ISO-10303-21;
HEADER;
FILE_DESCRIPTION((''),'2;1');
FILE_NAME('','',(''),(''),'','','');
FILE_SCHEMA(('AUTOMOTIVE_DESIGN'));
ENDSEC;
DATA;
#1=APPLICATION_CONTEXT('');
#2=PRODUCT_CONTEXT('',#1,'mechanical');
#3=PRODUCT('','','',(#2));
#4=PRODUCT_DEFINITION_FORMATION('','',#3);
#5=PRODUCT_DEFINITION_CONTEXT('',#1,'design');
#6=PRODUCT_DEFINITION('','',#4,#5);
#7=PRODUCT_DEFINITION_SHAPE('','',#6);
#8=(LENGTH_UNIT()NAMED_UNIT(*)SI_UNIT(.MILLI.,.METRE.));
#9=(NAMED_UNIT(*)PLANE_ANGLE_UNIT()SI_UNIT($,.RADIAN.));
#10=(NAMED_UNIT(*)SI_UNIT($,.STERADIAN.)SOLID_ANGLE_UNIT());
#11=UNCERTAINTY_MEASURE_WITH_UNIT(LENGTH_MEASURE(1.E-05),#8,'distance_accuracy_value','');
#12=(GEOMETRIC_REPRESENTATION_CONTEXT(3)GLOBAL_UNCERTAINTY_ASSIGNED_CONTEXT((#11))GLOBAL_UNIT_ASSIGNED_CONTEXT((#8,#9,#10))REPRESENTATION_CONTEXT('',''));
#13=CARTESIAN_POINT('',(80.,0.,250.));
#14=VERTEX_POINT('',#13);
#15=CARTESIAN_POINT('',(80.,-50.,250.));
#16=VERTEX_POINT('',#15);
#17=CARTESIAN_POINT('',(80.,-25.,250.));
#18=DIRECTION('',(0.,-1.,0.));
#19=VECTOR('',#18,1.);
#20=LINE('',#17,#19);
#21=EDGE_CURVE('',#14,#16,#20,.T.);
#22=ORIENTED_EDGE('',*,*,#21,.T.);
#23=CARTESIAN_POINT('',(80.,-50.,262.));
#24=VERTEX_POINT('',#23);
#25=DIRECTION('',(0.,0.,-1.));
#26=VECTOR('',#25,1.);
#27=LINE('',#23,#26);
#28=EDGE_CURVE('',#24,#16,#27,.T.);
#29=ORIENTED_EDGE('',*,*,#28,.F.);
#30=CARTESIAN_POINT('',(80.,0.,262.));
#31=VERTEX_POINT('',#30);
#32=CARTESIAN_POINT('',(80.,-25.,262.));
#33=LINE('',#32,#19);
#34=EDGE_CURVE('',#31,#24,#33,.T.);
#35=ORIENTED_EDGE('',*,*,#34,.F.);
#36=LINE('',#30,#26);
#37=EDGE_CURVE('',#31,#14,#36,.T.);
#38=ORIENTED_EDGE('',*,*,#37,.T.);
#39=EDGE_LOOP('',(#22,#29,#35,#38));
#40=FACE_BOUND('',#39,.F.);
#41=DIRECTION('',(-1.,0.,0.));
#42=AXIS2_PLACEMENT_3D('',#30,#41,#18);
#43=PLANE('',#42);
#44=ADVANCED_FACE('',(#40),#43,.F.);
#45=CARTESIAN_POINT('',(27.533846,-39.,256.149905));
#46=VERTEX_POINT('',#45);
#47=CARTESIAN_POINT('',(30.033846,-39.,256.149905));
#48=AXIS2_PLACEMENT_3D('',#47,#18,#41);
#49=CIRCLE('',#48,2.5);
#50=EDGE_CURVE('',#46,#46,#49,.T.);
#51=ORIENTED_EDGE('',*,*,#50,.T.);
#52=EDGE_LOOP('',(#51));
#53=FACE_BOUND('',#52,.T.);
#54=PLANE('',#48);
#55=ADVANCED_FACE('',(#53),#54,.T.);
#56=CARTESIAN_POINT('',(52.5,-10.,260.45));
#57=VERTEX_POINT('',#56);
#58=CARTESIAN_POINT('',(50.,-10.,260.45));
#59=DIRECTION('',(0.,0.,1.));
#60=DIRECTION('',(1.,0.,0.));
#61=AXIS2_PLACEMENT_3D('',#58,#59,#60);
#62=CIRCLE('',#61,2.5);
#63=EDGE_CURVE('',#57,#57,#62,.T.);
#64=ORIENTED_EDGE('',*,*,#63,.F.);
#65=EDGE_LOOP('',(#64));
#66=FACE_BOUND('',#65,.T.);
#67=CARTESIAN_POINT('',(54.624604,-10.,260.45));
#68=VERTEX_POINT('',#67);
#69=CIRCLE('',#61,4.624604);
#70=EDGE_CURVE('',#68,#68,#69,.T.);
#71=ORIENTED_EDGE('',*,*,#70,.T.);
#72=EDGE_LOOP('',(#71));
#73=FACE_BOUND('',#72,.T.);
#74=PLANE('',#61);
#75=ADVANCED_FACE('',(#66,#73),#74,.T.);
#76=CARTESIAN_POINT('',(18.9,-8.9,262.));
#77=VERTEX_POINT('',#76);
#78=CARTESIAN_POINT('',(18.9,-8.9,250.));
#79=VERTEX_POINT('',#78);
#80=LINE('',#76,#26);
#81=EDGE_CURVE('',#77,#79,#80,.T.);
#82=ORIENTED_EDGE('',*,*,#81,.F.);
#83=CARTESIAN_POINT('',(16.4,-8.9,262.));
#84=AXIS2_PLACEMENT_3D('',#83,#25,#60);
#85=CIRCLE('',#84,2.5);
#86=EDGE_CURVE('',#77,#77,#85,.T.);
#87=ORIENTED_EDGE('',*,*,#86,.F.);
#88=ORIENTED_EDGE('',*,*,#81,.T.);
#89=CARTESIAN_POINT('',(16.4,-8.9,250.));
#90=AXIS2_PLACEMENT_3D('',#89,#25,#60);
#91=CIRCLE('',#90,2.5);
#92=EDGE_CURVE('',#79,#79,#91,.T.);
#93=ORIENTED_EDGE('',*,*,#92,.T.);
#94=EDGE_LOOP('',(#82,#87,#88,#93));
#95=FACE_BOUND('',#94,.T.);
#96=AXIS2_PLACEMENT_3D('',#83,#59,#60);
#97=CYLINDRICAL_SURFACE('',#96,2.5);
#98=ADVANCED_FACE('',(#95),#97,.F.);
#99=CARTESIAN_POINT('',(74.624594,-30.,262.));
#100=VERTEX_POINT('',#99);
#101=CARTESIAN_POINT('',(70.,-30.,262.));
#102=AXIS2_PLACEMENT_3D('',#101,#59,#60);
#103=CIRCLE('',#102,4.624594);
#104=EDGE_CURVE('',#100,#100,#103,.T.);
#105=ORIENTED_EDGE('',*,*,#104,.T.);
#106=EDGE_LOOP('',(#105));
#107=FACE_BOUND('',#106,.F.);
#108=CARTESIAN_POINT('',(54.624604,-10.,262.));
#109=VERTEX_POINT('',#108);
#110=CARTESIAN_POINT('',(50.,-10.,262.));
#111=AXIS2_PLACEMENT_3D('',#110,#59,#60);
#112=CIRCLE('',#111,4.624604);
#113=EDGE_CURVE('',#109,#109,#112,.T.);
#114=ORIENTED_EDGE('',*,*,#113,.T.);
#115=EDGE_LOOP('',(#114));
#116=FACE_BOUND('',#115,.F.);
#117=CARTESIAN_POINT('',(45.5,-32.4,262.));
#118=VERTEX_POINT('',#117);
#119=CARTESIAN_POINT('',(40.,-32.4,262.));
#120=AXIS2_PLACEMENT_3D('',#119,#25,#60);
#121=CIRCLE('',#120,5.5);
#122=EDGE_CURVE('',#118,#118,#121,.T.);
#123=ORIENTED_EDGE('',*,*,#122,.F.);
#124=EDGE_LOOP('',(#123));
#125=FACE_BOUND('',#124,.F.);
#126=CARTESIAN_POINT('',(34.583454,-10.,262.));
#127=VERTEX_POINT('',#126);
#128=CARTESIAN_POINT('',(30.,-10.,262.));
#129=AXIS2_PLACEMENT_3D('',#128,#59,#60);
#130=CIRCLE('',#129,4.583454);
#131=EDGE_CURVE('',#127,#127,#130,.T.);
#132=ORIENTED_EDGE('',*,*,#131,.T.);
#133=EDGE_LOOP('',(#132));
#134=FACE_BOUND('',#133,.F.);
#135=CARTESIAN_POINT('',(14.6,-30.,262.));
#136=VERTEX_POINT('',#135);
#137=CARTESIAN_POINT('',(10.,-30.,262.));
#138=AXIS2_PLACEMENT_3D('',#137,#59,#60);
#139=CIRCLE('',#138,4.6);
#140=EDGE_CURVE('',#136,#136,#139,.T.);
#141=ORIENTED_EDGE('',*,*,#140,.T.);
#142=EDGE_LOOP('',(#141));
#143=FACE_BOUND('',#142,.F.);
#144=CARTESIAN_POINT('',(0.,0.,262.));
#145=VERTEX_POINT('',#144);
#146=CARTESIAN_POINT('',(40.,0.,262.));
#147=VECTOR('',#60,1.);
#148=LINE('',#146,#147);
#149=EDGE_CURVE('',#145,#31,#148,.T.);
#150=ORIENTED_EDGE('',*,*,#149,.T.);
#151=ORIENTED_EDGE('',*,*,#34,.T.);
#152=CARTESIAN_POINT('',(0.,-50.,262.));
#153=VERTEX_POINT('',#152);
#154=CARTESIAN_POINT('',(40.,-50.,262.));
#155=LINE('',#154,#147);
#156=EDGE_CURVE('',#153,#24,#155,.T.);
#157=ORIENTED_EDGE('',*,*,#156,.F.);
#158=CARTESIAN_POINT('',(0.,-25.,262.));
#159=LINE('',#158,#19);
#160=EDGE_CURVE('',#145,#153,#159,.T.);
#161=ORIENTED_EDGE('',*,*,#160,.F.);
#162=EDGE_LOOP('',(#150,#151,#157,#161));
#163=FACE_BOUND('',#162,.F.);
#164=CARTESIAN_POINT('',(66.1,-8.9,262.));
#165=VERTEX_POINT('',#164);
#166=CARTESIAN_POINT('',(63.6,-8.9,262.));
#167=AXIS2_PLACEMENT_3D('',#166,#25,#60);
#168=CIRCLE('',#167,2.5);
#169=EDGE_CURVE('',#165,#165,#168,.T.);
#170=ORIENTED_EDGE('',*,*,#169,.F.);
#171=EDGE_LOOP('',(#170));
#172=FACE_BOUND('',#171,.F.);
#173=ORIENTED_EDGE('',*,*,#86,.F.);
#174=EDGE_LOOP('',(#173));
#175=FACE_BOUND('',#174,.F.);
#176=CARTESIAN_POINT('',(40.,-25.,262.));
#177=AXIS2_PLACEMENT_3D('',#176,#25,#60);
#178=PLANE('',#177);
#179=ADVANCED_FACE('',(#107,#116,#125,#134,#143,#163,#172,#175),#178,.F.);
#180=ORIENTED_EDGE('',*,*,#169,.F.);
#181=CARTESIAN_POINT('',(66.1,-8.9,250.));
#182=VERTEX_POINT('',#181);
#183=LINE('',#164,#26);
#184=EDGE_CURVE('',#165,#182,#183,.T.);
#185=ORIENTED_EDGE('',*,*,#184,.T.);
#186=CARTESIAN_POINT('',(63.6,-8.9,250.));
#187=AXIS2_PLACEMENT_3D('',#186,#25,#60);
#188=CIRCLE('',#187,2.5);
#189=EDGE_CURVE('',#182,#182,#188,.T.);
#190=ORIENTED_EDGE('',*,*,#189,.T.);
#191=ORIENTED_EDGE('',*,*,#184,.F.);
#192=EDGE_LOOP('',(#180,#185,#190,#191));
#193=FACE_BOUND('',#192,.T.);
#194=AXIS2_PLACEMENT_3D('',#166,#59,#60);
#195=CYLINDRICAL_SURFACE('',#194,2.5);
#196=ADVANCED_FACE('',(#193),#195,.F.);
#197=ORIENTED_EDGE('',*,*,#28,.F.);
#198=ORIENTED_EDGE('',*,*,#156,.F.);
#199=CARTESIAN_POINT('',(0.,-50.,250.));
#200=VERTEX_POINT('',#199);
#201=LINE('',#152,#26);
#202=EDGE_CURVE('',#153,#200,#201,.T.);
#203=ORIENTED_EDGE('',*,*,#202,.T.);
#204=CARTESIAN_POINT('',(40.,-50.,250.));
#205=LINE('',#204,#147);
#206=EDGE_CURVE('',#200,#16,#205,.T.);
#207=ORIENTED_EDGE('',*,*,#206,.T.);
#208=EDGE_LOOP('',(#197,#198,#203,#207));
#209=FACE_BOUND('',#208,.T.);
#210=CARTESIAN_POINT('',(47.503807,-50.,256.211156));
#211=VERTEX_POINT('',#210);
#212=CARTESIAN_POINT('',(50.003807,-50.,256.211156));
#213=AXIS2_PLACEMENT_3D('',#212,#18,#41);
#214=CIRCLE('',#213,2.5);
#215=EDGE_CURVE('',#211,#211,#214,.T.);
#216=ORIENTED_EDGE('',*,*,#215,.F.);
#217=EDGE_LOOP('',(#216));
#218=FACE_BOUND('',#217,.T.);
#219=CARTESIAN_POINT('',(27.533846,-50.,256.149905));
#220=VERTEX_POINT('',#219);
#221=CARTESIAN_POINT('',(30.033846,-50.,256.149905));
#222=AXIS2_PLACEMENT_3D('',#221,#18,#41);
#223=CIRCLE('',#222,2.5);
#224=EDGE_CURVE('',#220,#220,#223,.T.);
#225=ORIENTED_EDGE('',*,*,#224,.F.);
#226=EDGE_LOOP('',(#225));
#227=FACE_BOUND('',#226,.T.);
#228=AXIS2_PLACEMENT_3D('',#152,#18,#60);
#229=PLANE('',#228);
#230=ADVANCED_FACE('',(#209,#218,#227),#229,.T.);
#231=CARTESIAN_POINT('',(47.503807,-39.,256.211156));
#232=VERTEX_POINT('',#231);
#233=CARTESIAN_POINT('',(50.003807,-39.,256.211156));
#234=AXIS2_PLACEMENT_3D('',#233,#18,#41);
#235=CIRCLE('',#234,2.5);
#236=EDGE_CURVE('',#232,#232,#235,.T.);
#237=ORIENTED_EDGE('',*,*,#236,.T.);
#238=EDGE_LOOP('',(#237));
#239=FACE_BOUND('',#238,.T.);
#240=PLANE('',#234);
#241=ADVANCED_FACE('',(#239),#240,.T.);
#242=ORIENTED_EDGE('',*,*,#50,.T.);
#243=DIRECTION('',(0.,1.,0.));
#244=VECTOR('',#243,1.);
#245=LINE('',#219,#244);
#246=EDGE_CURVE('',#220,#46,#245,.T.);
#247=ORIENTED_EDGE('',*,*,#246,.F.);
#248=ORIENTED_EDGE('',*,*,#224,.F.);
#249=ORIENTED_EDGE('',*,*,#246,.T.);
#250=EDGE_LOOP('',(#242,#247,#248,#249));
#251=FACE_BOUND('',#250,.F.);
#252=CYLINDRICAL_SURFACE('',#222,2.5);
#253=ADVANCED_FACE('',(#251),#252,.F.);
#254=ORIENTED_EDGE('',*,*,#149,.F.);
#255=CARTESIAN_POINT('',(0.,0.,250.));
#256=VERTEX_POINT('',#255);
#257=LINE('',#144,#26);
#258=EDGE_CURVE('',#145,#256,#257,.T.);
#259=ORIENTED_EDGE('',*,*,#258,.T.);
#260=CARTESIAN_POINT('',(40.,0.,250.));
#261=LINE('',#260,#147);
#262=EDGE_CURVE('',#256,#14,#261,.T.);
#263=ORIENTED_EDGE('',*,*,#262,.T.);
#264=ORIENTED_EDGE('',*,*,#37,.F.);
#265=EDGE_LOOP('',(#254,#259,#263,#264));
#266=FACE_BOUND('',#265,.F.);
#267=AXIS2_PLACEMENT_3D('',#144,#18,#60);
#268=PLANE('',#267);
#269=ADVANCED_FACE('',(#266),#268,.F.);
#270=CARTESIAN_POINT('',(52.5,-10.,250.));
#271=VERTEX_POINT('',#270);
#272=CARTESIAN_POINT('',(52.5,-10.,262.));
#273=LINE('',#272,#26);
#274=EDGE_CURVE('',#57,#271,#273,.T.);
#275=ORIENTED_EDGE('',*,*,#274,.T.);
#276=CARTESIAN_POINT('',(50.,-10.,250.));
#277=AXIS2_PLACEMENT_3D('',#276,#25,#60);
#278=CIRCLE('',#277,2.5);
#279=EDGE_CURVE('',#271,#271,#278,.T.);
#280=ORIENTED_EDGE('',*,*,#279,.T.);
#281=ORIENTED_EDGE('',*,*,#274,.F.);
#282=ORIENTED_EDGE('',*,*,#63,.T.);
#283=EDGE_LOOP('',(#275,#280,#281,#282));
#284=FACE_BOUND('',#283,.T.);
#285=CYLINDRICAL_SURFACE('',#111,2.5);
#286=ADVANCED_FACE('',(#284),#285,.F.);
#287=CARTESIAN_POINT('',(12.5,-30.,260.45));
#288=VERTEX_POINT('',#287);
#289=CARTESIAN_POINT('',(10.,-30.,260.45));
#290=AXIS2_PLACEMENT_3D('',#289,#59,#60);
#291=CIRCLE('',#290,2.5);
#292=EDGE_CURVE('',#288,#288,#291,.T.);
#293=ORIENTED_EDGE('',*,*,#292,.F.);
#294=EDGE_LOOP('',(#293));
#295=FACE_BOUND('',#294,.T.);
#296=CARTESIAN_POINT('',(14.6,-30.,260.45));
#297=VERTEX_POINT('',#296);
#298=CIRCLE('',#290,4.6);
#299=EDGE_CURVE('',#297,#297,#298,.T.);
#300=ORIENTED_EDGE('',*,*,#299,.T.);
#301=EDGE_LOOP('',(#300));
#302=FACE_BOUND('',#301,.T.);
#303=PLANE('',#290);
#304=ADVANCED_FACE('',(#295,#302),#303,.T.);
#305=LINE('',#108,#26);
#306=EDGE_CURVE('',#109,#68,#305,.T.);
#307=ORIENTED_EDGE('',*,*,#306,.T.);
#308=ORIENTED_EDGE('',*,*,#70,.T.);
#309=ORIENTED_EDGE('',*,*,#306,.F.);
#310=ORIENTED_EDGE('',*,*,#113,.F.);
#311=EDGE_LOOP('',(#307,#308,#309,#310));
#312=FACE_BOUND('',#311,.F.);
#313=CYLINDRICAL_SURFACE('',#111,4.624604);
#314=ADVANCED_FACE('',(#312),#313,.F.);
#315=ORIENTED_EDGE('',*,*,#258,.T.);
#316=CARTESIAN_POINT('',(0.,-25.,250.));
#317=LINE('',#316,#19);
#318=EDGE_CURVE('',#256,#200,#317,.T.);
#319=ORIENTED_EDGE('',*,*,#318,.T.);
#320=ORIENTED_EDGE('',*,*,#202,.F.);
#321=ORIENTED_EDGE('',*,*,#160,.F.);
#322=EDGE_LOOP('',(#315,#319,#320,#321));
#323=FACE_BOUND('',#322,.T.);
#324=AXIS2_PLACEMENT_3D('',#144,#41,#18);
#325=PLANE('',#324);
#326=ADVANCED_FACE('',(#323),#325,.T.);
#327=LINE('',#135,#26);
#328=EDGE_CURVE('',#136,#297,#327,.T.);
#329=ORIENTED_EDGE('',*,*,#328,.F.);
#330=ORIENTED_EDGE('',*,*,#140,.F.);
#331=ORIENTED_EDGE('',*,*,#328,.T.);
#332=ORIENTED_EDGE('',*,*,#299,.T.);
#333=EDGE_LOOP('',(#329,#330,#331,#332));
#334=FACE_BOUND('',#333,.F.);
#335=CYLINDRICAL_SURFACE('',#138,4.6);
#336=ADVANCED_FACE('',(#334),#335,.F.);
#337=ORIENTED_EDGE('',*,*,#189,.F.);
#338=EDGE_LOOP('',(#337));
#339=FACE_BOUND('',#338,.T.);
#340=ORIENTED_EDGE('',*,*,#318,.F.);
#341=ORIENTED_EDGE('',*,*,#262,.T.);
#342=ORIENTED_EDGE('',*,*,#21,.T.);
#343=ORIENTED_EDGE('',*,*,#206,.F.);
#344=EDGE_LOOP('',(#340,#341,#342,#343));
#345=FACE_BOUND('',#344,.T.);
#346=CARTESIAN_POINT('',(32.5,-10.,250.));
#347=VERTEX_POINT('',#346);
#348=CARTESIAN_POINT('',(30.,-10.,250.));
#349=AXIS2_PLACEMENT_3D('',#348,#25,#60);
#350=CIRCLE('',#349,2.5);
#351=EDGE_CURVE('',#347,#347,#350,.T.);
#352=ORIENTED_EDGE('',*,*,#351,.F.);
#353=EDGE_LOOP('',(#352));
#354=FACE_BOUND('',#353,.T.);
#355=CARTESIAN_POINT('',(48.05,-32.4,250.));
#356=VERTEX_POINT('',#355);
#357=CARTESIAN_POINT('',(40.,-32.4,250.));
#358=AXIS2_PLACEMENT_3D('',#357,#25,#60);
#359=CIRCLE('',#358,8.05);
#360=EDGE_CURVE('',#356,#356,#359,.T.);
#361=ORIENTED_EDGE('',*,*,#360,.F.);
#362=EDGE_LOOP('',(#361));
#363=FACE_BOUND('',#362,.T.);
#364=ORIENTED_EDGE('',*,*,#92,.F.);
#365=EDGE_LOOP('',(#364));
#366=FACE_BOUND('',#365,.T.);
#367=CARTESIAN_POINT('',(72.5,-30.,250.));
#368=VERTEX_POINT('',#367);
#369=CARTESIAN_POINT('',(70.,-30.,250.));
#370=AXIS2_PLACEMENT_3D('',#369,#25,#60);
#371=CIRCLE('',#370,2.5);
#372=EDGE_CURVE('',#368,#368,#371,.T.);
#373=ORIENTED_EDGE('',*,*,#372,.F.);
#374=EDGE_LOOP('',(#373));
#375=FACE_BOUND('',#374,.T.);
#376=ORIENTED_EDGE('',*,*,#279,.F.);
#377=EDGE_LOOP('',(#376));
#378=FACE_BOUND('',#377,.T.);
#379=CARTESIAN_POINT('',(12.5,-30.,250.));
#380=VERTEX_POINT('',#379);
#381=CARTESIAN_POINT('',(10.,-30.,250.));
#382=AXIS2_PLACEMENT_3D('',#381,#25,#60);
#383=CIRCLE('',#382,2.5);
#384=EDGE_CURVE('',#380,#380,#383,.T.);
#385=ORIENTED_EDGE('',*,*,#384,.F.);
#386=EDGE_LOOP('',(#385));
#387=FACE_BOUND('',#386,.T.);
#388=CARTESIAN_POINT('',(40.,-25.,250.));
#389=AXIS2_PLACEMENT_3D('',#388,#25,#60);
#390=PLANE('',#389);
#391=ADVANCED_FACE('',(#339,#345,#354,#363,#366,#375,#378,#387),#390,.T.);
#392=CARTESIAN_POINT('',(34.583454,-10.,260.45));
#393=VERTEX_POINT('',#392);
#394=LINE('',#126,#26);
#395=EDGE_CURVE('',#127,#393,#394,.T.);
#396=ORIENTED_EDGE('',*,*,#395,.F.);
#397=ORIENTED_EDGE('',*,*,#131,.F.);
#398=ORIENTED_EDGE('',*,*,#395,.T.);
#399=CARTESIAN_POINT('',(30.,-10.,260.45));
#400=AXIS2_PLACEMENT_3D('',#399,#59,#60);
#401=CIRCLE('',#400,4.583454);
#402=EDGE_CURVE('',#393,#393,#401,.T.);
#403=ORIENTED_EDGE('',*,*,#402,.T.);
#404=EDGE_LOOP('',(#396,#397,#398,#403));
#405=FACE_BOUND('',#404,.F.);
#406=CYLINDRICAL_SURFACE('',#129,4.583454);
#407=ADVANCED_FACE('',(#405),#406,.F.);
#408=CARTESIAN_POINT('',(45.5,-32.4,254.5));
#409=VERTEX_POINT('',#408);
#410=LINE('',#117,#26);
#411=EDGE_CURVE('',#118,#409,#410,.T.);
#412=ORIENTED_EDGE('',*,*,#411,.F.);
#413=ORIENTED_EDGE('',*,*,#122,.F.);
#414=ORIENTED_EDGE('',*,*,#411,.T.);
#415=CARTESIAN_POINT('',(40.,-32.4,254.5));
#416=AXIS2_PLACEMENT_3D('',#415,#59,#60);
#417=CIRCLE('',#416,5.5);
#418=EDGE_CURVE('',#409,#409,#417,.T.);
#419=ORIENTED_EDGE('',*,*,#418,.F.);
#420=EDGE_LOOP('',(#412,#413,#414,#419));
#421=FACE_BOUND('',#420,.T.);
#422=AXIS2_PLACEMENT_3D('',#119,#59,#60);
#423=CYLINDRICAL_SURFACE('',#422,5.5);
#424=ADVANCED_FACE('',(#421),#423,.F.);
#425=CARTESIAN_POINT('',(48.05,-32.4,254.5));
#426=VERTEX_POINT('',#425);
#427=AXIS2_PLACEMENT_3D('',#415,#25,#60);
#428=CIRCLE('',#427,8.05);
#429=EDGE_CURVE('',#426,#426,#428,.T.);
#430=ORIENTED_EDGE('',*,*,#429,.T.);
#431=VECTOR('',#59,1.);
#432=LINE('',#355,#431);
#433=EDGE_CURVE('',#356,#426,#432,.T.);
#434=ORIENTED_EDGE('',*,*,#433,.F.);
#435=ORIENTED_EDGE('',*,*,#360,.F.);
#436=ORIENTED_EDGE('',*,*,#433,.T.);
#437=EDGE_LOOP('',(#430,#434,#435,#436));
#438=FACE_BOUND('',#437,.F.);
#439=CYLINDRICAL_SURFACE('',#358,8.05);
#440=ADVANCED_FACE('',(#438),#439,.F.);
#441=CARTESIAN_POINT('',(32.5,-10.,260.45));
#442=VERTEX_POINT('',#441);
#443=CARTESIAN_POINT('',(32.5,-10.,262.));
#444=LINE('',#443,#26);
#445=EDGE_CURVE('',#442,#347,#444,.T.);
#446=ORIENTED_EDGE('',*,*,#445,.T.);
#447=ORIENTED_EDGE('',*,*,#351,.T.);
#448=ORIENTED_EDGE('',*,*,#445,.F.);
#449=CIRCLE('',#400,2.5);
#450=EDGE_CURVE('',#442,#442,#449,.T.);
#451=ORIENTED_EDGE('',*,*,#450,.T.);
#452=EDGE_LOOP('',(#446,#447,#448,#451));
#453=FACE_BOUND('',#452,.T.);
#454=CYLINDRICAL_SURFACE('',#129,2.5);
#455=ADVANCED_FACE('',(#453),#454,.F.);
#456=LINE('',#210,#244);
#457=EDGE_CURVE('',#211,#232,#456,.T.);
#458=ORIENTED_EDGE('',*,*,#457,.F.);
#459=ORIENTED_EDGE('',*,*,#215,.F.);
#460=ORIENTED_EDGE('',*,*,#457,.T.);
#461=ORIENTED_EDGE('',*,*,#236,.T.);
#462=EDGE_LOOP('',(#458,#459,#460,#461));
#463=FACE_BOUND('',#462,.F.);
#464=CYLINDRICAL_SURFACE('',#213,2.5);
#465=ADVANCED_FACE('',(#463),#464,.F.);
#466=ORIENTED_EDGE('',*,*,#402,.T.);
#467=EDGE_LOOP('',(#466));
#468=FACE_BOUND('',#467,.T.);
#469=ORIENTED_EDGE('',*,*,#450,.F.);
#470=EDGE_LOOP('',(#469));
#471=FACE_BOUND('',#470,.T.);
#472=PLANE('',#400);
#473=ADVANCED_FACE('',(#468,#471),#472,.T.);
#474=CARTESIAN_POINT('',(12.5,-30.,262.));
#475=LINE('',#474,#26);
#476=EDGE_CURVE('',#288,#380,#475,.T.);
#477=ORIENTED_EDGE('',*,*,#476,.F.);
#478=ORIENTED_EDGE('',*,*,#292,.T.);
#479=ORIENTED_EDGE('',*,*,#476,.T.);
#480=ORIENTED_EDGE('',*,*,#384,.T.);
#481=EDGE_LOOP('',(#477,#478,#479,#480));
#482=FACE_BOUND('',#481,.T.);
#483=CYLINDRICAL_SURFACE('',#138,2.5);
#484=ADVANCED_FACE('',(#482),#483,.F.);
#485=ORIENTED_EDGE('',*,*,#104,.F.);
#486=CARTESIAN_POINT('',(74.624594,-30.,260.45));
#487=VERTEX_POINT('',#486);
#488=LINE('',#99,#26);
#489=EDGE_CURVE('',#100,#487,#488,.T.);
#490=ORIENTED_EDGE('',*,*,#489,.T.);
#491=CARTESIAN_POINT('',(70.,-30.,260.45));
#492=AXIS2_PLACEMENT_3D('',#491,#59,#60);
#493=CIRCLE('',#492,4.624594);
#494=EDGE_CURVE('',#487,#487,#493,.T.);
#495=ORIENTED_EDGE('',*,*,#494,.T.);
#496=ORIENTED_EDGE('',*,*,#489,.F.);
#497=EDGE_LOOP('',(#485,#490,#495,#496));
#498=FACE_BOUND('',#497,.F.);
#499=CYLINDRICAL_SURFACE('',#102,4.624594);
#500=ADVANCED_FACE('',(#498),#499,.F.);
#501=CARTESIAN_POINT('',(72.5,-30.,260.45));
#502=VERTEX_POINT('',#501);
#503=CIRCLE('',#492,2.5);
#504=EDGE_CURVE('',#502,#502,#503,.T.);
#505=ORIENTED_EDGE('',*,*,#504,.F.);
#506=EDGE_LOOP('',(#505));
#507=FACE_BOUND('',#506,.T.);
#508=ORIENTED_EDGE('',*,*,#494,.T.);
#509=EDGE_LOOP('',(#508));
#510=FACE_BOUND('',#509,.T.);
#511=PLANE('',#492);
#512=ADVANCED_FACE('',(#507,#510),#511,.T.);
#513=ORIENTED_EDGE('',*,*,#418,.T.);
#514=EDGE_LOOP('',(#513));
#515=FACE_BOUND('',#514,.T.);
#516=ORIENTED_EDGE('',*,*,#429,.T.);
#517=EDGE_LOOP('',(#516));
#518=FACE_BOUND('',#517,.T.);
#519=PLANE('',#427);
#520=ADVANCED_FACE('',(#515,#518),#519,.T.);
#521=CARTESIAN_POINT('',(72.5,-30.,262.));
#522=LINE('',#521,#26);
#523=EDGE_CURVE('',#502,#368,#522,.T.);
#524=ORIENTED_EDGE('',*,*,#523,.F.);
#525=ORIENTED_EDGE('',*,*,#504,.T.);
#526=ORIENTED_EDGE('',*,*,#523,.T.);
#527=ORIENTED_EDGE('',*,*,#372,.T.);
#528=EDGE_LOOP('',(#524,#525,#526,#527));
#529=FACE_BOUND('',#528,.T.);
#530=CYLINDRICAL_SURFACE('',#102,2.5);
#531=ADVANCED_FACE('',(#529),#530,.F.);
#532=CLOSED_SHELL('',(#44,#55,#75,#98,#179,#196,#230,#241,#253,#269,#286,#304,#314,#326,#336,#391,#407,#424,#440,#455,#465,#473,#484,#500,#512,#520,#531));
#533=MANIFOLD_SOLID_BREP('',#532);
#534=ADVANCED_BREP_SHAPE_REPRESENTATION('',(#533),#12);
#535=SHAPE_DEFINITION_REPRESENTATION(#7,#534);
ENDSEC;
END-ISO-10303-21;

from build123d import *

# Parameters (mm, degrees)
SKETCH023_W     = 80
SKETCH023_H     = 50
SKETCH023_R     = 2.5
SKETCH023_R_2   = 5.5
PAD005_DEPTH    = 12
SKETCH024_R     = 2.5
POCKET015_DEPTH = 11
SKETCH025_R     = 8.05
POCKET016_DEPTH = 4.5
SKETCH026_R     = 4.6
SKETCH026_R_2   = 4.624594
SKETCH026_R_3   = 4.583454
SKETCH026_R_4   = 4.624604
POCKET017_DEPTH = 1.55


with BuildPart() as part:
    # Sketch023 → Pad005 (new body)
    with BuildSketch(Plane(origin=(0, 0, 262), x_dir=(1, 0, 0), z_dir=(0, 0, -1))):
        with Locations((40, 25)):
            Rectangle(SKETCH023_W, SKETCH023_H)
        with Locations((10, 30)):
            Circle(SKETCH023_R, mode=Mode.SUBTRACT)
        with Locations((30, 10)):
            Circle(SKETCH023_R, mode=Mode.SUBTRACT)
        with Locations((16.4, 8.9)):
            Circle(SKETCH023_R, mode=Mode.SUBTRACT)
        with Locations((50, 10)):
            Circle(SKETCH023_R, mode=Mode.SUBTRACT)
        with Locations((63.6, 8.9)):
            Circle(SKETCH023_R, mode=Mode.SUBTRACT)
        with Locations((70, 30)):
            Circle(SKETCH023_R, mode=Mode.SUBTRACT)
        with Locations((40, 32.4)):
            Circle(SKETCH023_R_2, mode=Mode.SUBTRACT)
    extrude(amount=PAD005_DEPTH)

    # Sketch024 → Pocket015 (cut)
    with BuildSketch(Plane(origin=(0, -50, 262), x_dir=(-1, 0, 0), z_dir=(0, -1, 0))):
        with Locations((-30.033846, 5.850095)):
            Circle(SKETCH024_R)
        with Locations((-50.003807, 5.788844)):
            Circle(SKETCH024_R)
    extrude(amount=-POCKET015_DEPTH, mode=Mode.SUBTRACT)

    # Sketch025 → Pocket016 (cut)
    with BuildSketch(Plane(origin=(0, 0, 250), x_dir=(1, 0, 0), z_dir=(0, 0, -1))):
        with Locations((40, 32.4)):
            Circle(SKETCH025_R)
    extrude(amount=-POCKET016_DEPTH, mode=Mode.SUBTRACT)

    # Sketch026 → Pocket017 (cut)
    with BuildSketch(Plane.XY.offset(262)):
        with Locations((10, -30)):
            Circle(SKETCH026_R)
        with Locations((70, -30)):
            Circle(SKETCH026_R_2)
        with Locations((30, -10)):
            Circle(SKETCH026_R_3)
        with Locations((50, -10)):
            Circle(SKETCH026_R_4)
    extrude(amount=-POCKET017_DEPTH, mode=Mode.SUBTRACT)


solid = part.part
